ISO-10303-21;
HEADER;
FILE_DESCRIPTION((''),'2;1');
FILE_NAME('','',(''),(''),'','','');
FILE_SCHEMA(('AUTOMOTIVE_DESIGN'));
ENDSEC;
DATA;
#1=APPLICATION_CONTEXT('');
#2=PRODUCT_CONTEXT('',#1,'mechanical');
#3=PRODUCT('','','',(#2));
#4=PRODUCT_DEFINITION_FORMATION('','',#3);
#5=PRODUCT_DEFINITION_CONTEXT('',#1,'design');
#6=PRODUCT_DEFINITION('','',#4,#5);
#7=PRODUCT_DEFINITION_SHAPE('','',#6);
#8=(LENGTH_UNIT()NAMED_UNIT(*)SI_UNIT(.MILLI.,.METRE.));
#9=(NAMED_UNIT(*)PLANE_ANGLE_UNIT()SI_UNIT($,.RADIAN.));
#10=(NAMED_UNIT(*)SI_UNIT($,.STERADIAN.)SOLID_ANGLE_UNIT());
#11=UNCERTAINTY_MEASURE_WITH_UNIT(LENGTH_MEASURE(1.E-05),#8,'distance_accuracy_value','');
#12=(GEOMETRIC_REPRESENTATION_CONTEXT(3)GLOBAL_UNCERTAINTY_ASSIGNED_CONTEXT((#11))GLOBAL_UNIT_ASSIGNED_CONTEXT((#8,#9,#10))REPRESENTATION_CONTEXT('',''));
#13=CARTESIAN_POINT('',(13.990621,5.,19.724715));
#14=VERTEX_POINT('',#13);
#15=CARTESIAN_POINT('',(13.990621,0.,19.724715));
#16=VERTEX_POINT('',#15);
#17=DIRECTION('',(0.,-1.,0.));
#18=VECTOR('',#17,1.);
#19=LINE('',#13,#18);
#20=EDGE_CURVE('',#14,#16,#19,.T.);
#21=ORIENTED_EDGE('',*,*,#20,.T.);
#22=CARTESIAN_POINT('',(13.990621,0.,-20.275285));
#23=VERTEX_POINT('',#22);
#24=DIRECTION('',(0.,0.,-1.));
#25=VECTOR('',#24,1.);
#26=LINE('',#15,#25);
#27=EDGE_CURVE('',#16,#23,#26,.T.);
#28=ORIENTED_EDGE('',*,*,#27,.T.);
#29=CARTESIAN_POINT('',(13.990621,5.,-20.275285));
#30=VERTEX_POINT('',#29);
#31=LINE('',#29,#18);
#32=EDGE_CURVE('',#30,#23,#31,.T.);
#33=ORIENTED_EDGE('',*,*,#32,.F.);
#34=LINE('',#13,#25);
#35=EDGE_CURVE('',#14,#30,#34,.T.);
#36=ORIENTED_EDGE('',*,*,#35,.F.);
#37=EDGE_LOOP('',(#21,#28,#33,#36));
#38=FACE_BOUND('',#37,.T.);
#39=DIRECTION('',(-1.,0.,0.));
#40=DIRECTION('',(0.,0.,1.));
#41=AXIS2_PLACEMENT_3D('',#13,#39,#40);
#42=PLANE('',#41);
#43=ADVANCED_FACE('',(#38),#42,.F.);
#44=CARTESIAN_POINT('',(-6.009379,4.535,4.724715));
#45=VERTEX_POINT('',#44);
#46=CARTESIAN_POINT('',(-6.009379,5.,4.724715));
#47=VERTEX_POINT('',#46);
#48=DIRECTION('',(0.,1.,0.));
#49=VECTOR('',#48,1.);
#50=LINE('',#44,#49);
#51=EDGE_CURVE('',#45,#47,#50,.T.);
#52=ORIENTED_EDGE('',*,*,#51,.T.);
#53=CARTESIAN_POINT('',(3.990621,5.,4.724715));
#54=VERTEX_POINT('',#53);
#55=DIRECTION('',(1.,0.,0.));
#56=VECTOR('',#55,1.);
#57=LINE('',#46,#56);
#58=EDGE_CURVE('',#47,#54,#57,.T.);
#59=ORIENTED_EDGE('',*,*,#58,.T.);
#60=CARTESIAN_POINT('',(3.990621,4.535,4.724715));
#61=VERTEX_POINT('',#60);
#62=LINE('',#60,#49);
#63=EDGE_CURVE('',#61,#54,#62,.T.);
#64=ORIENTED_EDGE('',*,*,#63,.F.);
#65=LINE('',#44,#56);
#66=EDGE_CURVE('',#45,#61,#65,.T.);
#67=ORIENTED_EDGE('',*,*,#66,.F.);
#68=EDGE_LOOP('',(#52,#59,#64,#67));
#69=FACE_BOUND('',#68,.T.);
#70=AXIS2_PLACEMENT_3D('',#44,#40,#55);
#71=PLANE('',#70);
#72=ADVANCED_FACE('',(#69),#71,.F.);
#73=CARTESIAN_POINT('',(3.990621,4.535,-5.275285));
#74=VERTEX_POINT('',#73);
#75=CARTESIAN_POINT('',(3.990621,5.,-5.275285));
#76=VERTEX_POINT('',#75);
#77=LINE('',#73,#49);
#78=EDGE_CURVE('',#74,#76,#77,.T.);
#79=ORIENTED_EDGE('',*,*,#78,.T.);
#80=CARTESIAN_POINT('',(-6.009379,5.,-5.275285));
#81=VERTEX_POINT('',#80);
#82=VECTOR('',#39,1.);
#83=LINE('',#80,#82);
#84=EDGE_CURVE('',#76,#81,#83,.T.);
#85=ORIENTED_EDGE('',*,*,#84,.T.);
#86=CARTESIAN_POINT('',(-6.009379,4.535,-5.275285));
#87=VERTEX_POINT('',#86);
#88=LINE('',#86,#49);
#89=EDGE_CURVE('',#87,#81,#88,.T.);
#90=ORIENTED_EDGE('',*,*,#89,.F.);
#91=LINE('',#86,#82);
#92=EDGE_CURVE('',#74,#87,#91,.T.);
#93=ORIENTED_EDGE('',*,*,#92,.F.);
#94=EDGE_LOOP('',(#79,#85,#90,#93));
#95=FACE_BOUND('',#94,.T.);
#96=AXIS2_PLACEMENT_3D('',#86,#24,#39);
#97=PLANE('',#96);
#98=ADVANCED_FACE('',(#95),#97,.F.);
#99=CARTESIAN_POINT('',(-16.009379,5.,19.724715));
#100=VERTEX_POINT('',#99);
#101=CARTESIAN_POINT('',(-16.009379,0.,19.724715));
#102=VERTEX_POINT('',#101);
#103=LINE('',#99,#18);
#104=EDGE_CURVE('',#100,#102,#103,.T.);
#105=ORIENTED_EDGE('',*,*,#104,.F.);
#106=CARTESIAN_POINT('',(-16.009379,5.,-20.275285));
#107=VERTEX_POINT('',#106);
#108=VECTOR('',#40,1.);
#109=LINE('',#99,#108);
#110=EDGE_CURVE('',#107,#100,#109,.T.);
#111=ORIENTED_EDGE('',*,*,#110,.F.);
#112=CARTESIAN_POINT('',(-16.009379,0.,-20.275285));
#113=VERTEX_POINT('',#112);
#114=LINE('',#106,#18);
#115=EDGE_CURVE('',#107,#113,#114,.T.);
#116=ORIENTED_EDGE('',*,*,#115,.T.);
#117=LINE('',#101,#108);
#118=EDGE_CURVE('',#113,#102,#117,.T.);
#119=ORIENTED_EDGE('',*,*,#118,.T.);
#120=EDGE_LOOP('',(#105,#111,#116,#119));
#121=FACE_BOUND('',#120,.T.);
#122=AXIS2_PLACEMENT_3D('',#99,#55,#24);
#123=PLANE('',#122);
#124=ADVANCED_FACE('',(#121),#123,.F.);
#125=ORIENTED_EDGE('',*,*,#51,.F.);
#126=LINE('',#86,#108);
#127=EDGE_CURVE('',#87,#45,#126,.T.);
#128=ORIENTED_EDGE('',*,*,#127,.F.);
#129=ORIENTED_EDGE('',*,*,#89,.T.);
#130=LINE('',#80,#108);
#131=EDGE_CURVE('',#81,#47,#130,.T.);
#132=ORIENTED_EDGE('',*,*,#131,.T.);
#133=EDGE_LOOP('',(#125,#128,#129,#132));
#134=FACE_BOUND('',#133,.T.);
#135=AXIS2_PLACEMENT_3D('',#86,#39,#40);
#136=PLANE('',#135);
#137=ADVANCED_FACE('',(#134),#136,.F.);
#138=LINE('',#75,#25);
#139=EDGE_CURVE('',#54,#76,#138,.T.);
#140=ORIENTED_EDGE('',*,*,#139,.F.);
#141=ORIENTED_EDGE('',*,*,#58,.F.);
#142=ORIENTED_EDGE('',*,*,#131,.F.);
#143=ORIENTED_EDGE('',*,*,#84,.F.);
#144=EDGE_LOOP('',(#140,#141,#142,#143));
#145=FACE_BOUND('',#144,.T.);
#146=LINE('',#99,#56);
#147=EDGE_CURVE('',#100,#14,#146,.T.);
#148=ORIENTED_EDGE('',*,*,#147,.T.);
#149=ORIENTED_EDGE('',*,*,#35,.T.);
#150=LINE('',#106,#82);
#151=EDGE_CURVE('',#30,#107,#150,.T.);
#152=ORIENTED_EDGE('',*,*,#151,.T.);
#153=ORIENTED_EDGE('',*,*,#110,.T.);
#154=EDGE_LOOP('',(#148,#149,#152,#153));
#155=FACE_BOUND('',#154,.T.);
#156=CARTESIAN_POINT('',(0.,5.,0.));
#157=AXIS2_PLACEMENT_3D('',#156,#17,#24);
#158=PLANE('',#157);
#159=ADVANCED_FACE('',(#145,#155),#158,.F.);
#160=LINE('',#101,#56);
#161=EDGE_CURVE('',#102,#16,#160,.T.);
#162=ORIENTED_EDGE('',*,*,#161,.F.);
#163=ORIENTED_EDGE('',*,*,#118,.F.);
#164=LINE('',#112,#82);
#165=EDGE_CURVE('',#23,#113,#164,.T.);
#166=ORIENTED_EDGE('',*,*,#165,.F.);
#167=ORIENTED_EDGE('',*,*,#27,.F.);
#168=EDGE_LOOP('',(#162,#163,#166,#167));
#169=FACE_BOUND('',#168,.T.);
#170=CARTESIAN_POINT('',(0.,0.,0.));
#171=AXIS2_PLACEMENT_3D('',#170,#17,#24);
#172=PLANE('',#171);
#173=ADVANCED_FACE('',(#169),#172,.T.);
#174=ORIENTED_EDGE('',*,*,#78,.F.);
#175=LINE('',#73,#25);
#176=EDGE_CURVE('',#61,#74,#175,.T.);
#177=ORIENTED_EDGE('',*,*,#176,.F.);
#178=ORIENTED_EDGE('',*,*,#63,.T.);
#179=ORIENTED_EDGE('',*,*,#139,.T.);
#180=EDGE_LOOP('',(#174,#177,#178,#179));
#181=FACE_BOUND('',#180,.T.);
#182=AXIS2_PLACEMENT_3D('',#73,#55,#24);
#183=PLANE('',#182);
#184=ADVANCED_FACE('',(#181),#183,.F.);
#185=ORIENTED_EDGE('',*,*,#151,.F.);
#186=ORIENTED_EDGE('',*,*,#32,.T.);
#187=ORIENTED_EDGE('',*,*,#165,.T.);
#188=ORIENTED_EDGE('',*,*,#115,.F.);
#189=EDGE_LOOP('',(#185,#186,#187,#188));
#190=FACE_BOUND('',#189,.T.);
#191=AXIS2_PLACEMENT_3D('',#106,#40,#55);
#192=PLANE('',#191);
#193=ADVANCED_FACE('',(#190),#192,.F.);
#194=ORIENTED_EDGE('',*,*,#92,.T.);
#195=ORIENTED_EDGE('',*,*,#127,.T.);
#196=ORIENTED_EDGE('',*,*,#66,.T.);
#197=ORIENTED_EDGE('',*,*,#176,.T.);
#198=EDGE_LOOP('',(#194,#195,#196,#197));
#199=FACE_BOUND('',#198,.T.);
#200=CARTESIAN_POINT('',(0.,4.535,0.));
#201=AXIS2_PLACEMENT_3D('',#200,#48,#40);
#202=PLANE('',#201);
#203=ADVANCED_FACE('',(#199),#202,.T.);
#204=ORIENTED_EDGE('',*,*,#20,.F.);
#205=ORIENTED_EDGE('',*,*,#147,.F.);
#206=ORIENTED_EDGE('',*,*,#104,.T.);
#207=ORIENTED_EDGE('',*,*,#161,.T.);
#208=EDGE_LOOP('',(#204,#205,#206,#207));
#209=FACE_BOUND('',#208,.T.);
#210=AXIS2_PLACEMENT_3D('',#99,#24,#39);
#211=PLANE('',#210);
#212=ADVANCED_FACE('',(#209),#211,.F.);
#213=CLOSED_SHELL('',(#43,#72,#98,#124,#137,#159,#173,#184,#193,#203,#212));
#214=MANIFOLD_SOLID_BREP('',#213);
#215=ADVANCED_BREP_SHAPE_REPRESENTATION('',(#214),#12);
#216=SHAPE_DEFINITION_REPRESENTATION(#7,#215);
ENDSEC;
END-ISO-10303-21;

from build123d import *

# Parameters (mm, degrees)
SKETCH1_W           = 30
SKETCH1_H           = 40
BOSS_EXTRUDE1_DEPTH = 5
SKETCH2_W           = 10
SKETCH2_H           = 10
CUT_EXTRUDE1_DEPTH  = 0.465


with BuildPart() as part:
    # Sketch1 → Boss-Extrude1 (new body)
    with BuildSketch(Plane(origin=(0, 0, 0), x_dir=(1, 0, 0), z_dir=(0, 1, 0))):
        with Locations((-1.009379029, 0.27528519)):
            Rectangle(SKETCH1_W, SKETCH1_H)
    extrude(amount=BOSS_EXTRUDE1_DEPTH)

    # Sketch2 → Cut-Extrude1 (cut)
    with BuildSketch(Plane(origin=(0, 5, 0), x_dir=(1, 0, 0), z_dir=(0, 1, 0))):
        with Locations((-1.009379029, 0.27528519)):
            Rectangle(SKETCH2_W, SKETCH2_H)
    extrude(amount=-CUT_EXTRUDE1_DEPTH, mode=Mode.SUBTRACT)


solid = part.part
